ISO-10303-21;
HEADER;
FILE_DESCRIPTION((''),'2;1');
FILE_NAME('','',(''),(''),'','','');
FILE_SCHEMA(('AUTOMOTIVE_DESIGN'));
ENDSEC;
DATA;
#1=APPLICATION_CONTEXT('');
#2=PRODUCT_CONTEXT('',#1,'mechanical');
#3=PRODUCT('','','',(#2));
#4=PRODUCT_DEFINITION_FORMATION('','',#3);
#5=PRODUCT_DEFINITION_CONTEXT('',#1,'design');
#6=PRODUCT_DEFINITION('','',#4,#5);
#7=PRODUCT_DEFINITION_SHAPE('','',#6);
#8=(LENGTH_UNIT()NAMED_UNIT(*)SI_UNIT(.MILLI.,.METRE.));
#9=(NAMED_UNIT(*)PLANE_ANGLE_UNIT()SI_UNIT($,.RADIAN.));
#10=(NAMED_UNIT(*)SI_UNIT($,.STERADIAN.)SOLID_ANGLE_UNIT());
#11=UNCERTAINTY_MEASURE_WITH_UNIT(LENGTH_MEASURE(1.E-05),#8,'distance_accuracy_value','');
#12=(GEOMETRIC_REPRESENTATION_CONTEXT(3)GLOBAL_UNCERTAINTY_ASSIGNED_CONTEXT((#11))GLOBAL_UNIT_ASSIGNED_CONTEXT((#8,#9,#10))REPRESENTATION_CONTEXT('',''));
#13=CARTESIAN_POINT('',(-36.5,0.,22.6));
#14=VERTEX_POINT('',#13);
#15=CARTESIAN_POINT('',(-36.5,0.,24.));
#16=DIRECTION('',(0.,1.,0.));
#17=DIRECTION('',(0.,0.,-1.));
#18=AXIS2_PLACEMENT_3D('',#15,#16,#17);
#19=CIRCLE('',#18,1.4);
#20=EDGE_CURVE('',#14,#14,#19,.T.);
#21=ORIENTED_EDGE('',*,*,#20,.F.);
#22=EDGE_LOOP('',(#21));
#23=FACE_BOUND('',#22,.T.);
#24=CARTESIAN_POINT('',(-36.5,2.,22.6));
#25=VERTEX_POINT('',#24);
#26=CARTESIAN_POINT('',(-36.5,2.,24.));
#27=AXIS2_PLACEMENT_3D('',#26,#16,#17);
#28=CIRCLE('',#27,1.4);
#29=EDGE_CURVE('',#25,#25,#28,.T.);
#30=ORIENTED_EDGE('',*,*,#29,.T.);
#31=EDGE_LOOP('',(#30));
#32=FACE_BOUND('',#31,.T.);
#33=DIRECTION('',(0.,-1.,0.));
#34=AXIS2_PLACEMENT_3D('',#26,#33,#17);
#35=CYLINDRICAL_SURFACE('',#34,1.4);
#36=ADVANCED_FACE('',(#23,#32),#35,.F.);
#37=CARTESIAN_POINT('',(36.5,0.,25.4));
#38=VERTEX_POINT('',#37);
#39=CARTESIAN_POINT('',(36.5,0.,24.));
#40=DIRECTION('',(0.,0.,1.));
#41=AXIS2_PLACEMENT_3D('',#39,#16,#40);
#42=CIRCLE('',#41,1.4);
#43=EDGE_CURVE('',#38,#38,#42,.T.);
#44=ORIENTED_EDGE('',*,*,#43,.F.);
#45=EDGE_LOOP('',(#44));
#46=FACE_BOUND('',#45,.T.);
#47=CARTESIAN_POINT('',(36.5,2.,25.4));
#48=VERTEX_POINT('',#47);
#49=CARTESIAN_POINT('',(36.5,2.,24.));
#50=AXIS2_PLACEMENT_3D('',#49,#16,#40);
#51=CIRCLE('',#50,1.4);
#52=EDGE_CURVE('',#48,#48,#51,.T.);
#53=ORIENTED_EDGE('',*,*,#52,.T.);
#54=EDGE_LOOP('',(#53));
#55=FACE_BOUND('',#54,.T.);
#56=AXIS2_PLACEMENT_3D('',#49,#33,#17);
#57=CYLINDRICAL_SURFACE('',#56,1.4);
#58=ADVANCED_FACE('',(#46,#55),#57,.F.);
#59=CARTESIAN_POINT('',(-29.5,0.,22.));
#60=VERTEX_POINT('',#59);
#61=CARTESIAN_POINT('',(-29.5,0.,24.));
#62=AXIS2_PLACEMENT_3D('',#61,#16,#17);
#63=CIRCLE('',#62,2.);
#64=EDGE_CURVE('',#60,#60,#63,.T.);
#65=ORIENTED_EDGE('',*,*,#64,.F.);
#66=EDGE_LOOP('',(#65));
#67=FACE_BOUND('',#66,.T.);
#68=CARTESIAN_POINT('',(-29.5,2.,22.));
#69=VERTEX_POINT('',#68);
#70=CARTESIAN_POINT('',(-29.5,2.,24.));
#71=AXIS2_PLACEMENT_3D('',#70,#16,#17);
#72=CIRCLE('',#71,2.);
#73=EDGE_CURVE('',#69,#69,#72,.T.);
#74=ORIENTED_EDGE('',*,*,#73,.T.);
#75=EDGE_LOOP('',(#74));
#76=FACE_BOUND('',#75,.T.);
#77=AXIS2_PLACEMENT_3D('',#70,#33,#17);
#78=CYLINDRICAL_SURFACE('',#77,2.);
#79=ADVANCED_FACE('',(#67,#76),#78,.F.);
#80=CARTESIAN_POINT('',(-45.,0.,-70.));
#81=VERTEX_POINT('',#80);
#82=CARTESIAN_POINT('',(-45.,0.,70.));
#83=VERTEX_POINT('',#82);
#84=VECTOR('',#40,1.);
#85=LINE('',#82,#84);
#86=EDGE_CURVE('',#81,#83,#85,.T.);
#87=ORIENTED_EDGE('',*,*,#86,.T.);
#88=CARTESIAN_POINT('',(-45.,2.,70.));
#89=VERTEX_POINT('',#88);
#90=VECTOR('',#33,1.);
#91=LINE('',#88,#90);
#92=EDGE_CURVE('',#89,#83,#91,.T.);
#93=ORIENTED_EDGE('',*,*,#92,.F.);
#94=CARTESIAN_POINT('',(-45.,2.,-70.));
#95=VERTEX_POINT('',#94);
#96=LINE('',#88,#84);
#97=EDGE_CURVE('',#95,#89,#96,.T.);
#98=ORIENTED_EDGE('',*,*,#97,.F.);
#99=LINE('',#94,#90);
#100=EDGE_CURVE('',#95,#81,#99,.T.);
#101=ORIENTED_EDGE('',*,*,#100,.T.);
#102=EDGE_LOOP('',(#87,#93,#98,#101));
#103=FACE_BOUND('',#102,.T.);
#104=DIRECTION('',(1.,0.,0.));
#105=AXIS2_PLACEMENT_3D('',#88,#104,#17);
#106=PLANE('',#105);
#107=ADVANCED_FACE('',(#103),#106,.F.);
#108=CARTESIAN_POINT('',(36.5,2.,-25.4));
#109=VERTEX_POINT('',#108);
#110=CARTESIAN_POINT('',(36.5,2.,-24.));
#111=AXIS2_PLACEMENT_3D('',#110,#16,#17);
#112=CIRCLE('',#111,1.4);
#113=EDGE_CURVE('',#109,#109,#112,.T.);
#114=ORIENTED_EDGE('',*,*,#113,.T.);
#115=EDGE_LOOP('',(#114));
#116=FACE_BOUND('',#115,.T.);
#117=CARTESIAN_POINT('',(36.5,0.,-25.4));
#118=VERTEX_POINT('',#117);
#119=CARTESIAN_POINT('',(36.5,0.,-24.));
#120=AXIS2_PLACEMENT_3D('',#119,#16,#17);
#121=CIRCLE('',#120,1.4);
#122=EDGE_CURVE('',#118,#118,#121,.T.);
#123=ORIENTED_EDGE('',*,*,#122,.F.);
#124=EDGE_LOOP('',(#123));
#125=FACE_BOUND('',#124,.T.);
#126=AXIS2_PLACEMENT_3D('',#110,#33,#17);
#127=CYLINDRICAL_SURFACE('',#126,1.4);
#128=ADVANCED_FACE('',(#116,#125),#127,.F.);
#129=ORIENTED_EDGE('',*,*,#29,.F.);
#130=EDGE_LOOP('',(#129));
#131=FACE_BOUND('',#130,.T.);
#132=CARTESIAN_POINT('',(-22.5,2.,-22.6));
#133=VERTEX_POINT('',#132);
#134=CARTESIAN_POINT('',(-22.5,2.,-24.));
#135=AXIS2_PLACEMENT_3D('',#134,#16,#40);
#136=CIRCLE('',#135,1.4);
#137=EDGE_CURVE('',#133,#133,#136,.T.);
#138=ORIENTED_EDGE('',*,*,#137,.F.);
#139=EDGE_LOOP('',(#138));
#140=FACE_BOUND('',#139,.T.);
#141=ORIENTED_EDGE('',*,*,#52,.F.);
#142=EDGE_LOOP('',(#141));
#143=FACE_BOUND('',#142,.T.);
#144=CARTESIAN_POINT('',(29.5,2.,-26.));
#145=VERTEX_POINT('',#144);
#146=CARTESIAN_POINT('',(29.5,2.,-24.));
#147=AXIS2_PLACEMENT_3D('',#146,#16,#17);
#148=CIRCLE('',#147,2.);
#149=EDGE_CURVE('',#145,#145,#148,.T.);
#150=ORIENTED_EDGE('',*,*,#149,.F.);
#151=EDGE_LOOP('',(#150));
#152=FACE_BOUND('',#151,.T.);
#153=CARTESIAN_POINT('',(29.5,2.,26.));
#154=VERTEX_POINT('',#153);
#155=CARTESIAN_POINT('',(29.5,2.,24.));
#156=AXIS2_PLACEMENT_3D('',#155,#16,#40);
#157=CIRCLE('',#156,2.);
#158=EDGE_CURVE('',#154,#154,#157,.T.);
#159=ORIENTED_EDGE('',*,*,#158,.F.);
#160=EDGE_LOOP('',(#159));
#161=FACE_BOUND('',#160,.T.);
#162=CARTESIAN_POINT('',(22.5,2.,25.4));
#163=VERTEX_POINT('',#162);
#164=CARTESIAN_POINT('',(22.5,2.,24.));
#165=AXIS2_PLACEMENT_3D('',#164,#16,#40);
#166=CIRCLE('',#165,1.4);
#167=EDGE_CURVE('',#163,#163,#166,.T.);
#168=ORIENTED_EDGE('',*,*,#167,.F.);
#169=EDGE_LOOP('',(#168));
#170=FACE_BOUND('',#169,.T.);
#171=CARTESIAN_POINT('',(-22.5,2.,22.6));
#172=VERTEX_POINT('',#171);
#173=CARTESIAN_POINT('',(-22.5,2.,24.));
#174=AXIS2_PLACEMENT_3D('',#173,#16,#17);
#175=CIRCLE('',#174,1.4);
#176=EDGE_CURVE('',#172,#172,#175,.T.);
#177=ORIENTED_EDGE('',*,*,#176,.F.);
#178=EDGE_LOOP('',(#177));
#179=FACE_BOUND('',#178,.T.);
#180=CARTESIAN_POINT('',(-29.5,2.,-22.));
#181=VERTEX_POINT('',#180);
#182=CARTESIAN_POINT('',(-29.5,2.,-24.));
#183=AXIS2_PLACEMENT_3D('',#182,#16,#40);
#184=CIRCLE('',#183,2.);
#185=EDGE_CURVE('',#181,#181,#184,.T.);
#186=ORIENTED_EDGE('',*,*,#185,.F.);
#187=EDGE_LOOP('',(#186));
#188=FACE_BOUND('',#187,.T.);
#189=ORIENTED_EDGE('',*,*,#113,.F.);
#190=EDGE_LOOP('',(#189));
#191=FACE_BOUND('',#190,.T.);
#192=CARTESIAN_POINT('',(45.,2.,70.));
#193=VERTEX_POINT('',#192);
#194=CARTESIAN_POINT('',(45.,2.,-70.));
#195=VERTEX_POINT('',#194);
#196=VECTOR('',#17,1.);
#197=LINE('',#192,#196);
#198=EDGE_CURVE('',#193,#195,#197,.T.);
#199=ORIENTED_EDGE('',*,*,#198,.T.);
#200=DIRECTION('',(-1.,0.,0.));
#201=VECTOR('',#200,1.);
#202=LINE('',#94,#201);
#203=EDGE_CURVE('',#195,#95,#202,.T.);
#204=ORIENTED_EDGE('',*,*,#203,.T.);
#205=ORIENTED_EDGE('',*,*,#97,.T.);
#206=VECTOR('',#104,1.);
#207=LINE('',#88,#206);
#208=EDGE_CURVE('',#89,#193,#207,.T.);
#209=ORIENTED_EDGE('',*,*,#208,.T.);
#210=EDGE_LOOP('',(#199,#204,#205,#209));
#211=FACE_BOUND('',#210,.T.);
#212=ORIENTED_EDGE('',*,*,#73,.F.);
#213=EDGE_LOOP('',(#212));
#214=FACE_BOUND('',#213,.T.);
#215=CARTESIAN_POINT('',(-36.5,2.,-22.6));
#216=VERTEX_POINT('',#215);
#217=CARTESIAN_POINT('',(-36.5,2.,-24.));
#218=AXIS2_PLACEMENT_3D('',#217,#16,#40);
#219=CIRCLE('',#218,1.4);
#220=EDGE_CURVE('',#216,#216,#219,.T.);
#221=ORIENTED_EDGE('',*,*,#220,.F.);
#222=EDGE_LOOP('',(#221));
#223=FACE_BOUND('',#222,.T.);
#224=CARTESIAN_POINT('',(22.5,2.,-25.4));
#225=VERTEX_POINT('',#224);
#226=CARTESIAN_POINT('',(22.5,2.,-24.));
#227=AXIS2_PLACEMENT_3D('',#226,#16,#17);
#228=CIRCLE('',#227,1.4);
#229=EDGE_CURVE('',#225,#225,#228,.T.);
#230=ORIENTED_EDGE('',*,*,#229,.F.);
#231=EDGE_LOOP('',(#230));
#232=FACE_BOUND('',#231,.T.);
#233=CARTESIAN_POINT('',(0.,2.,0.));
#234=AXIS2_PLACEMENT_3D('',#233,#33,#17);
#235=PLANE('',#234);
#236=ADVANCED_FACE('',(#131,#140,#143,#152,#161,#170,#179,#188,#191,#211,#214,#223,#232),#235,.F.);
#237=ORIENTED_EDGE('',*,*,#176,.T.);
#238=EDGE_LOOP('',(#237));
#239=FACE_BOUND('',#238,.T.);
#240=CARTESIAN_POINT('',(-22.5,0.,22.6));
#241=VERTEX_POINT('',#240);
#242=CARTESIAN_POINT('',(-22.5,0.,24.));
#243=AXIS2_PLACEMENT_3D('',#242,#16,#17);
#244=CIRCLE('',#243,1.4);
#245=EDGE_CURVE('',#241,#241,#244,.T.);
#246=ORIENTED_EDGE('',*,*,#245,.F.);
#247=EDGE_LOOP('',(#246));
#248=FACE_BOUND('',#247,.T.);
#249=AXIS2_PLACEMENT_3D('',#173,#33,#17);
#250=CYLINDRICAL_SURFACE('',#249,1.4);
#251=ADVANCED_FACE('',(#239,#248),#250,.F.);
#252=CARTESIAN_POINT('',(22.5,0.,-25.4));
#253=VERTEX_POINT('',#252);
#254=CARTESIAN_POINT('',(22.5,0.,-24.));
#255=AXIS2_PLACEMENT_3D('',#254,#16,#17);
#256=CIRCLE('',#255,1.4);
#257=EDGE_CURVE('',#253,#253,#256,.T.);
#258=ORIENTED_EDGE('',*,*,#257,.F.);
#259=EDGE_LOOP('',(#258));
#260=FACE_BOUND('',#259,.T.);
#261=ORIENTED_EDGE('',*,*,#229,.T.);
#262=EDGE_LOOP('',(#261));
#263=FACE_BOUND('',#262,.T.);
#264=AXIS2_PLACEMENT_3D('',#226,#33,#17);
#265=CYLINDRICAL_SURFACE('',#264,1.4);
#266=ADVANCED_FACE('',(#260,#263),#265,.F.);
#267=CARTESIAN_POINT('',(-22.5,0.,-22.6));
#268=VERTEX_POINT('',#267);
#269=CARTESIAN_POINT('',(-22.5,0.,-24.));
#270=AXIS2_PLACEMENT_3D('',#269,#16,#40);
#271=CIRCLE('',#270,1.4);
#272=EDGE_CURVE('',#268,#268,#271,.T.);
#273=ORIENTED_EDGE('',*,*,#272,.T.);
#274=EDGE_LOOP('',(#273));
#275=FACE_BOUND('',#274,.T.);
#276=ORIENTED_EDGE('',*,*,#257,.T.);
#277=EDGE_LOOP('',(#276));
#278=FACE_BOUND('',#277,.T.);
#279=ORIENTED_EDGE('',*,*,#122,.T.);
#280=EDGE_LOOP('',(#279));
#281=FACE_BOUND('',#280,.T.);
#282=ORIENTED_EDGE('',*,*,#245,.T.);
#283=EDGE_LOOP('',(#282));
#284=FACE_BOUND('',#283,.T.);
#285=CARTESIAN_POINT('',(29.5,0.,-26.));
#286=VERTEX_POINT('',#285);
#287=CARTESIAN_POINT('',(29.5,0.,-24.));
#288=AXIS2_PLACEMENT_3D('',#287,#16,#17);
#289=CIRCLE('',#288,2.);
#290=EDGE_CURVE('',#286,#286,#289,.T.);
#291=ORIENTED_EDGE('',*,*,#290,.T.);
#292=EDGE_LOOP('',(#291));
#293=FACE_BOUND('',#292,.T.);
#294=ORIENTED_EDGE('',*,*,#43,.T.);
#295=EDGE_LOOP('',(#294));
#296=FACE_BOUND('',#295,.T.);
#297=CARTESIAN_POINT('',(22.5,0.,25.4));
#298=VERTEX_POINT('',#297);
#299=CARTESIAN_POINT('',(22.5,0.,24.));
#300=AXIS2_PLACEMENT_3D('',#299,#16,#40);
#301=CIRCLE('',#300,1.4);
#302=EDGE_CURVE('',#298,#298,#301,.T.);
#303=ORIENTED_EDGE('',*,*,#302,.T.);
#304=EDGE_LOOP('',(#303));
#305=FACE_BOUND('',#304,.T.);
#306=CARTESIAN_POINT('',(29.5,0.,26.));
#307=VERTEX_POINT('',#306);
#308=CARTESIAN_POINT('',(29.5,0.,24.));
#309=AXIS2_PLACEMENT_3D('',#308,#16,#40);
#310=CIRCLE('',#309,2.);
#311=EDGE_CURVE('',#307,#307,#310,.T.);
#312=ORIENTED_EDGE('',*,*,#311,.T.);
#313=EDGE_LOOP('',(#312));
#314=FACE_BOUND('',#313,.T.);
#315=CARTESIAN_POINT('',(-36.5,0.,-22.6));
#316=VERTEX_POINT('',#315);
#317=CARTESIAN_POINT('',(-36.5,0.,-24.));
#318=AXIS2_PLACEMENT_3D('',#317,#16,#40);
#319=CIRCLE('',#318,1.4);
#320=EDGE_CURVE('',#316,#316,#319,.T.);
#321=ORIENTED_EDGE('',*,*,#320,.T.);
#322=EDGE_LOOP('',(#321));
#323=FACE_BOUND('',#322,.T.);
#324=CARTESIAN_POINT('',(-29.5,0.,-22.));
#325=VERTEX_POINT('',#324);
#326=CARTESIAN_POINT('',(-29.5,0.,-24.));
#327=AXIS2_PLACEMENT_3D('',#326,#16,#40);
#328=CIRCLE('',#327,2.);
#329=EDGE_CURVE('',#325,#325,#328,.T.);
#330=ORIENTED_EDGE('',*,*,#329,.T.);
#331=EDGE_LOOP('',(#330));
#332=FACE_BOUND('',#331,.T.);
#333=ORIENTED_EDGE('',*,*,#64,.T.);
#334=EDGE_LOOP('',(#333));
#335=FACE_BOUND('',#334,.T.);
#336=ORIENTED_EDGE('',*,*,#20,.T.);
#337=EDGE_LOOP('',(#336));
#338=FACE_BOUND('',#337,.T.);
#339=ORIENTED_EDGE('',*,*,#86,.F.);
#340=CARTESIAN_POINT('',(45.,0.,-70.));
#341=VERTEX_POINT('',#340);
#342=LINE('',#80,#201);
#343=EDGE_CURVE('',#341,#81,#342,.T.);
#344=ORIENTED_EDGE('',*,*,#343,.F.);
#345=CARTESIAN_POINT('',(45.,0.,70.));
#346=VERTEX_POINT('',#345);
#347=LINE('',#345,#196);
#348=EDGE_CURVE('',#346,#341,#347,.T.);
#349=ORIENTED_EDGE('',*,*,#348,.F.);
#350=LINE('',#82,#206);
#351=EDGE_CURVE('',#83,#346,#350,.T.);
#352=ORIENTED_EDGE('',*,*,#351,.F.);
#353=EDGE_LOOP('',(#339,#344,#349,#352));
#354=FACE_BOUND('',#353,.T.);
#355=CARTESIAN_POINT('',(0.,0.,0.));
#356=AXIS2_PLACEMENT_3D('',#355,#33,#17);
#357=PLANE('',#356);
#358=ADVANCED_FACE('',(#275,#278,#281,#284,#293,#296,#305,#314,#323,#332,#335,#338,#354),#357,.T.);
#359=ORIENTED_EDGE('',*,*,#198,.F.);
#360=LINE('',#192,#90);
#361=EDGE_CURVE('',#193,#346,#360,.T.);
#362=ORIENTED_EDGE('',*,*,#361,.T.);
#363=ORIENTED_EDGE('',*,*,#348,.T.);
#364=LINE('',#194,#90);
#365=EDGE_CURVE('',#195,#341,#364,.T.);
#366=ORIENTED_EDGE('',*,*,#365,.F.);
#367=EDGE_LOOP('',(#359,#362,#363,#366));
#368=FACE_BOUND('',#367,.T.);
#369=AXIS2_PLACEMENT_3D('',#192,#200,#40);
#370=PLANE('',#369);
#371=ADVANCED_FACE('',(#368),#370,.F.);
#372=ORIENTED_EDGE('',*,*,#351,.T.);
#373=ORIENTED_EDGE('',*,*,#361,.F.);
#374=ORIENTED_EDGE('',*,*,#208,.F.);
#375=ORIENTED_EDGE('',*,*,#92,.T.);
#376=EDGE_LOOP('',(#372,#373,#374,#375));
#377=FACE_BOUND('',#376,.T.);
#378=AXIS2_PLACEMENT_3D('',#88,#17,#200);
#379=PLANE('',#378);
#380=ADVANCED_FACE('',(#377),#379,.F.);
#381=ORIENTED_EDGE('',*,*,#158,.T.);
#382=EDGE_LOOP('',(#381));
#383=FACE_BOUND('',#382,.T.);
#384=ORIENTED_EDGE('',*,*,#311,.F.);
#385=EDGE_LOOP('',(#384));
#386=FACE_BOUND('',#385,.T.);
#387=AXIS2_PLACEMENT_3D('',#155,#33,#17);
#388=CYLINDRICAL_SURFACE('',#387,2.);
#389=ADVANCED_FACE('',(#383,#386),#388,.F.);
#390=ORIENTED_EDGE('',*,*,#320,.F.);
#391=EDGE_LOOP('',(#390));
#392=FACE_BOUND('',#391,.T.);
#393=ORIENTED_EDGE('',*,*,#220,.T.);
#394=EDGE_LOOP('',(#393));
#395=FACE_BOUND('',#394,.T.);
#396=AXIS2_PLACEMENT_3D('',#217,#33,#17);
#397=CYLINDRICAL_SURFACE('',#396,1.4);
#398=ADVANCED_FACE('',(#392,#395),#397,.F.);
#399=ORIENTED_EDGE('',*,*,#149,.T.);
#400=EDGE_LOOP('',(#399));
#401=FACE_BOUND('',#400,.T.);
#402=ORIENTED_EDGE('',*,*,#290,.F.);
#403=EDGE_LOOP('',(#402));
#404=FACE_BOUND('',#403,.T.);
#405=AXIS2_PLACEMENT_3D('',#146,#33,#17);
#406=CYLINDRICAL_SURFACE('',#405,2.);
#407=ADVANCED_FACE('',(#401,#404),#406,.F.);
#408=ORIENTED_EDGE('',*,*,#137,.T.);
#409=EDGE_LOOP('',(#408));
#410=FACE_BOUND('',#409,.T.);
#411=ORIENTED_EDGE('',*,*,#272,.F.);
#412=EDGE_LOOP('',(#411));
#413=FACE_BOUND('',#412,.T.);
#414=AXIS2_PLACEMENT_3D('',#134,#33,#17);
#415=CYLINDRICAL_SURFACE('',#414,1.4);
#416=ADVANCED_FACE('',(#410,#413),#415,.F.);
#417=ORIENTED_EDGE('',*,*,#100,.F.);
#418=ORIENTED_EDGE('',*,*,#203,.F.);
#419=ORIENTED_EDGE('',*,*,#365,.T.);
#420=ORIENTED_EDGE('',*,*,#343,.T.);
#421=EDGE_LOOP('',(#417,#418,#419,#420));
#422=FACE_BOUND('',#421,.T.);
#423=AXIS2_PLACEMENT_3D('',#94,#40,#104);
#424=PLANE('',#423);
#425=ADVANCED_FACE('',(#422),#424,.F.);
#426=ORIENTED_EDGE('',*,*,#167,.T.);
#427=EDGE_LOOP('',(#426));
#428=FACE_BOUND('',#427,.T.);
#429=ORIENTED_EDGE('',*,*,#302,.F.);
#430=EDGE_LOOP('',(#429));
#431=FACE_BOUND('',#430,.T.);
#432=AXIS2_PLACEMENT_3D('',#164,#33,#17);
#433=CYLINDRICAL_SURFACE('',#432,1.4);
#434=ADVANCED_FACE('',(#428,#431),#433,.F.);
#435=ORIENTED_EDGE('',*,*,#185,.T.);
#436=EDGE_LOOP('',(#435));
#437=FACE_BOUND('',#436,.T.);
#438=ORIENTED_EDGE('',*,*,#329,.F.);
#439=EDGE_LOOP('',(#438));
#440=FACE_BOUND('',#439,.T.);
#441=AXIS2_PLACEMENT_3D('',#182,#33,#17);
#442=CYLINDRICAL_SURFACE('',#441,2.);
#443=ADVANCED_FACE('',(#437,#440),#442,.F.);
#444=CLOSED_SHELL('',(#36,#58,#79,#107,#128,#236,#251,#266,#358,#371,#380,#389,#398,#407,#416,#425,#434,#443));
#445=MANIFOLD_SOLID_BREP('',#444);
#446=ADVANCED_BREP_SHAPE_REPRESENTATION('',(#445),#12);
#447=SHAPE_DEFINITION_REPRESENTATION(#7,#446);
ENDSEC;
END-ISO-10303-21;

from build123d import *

# Parameters (mm, degrees)
SKETCH1_W           = 90
SKETCH1_H           = 140
SKETCH1_R           = 2
SKETCH1_R_2         = 1.4
BOSS_EXTRUDE1_DEPTH = 2


with BuildPart() as part:
    # Sketch1 → Boss-Extrude1 (new body)
    with BuildSketch(Plane(origin=(0, 0, 0), x_dir=(1, 0, 0), z_dir=(0, 1, 0))):
        Rectangle(SKETCH1_W, SKETCH1_H)
        with Locations(Location((-29.5, 24, 0), (0, 0, 270))):
            Circle(SKETCH1_R, mode=Mode.SUBTRACT)
        with Locations(Location((-36.5, 24, 0), (0, 0, 270))):
            Circle(SKETCH1_R_2, mode=Mode.SUBTRACT)
        with Locations(Location((-22.5, 24, 0), (0, 0, 270))):
            Circle(SKETCH1_R_2, mode=Mode.SUBTRACT)
        with Locations(Location((22.5, 24, 0), (0, 0, 90))):
            Circle(SKETCH1_R_2, mode=Mode.SUBTRACT)
        with Locations(Location((29.5, 24, 0), (0, 0, 90))):
            Circle(SKETCH1_R, mode=Mode.SUBTRACT)
        with Locations(Location((36.5, 24, 0), (0, 0, 90))):
            Circle(SKETCH1_R_2, mode=Mode.SUBTRACT)
        with Locations(Location((36.5, -24, 0), (0, 0, 270))):
            Circle(SKETCH1_R_2, mode=Mode.SUBTRACT)
        with Locations(Location((29.5, -24, 0), (0, 0, 270))):
            Circle(SKETCH1_R, mode=Mode.SUBTRACT)
        with Locations(Location((22.5, -24, 0), (0, 0, 270))):
            Circle(SKETCH1_R_2, mode=Mode.SUBTRACT)
        with Locations(Location((-22.5, -24, 0), (0, 0, 90))):
            Circle(SKETCH1_R_2, mode=Mode.SUBTRACT)
        with Locations(Location((-29.5, -24, 0), (0, 0, 90))):
            Circle(SKETCH1_R, mode=Mode.SUBTRACT)
        with Locations(Location((-36.5, -24, 0), (0, 0, 90))):
            Circle(SKETCH1_R_2, mode=Mode.SUBTRACT)
    extrude(amount=BOSS_EXTRUDE1_DEPTH)


solid = part.part
